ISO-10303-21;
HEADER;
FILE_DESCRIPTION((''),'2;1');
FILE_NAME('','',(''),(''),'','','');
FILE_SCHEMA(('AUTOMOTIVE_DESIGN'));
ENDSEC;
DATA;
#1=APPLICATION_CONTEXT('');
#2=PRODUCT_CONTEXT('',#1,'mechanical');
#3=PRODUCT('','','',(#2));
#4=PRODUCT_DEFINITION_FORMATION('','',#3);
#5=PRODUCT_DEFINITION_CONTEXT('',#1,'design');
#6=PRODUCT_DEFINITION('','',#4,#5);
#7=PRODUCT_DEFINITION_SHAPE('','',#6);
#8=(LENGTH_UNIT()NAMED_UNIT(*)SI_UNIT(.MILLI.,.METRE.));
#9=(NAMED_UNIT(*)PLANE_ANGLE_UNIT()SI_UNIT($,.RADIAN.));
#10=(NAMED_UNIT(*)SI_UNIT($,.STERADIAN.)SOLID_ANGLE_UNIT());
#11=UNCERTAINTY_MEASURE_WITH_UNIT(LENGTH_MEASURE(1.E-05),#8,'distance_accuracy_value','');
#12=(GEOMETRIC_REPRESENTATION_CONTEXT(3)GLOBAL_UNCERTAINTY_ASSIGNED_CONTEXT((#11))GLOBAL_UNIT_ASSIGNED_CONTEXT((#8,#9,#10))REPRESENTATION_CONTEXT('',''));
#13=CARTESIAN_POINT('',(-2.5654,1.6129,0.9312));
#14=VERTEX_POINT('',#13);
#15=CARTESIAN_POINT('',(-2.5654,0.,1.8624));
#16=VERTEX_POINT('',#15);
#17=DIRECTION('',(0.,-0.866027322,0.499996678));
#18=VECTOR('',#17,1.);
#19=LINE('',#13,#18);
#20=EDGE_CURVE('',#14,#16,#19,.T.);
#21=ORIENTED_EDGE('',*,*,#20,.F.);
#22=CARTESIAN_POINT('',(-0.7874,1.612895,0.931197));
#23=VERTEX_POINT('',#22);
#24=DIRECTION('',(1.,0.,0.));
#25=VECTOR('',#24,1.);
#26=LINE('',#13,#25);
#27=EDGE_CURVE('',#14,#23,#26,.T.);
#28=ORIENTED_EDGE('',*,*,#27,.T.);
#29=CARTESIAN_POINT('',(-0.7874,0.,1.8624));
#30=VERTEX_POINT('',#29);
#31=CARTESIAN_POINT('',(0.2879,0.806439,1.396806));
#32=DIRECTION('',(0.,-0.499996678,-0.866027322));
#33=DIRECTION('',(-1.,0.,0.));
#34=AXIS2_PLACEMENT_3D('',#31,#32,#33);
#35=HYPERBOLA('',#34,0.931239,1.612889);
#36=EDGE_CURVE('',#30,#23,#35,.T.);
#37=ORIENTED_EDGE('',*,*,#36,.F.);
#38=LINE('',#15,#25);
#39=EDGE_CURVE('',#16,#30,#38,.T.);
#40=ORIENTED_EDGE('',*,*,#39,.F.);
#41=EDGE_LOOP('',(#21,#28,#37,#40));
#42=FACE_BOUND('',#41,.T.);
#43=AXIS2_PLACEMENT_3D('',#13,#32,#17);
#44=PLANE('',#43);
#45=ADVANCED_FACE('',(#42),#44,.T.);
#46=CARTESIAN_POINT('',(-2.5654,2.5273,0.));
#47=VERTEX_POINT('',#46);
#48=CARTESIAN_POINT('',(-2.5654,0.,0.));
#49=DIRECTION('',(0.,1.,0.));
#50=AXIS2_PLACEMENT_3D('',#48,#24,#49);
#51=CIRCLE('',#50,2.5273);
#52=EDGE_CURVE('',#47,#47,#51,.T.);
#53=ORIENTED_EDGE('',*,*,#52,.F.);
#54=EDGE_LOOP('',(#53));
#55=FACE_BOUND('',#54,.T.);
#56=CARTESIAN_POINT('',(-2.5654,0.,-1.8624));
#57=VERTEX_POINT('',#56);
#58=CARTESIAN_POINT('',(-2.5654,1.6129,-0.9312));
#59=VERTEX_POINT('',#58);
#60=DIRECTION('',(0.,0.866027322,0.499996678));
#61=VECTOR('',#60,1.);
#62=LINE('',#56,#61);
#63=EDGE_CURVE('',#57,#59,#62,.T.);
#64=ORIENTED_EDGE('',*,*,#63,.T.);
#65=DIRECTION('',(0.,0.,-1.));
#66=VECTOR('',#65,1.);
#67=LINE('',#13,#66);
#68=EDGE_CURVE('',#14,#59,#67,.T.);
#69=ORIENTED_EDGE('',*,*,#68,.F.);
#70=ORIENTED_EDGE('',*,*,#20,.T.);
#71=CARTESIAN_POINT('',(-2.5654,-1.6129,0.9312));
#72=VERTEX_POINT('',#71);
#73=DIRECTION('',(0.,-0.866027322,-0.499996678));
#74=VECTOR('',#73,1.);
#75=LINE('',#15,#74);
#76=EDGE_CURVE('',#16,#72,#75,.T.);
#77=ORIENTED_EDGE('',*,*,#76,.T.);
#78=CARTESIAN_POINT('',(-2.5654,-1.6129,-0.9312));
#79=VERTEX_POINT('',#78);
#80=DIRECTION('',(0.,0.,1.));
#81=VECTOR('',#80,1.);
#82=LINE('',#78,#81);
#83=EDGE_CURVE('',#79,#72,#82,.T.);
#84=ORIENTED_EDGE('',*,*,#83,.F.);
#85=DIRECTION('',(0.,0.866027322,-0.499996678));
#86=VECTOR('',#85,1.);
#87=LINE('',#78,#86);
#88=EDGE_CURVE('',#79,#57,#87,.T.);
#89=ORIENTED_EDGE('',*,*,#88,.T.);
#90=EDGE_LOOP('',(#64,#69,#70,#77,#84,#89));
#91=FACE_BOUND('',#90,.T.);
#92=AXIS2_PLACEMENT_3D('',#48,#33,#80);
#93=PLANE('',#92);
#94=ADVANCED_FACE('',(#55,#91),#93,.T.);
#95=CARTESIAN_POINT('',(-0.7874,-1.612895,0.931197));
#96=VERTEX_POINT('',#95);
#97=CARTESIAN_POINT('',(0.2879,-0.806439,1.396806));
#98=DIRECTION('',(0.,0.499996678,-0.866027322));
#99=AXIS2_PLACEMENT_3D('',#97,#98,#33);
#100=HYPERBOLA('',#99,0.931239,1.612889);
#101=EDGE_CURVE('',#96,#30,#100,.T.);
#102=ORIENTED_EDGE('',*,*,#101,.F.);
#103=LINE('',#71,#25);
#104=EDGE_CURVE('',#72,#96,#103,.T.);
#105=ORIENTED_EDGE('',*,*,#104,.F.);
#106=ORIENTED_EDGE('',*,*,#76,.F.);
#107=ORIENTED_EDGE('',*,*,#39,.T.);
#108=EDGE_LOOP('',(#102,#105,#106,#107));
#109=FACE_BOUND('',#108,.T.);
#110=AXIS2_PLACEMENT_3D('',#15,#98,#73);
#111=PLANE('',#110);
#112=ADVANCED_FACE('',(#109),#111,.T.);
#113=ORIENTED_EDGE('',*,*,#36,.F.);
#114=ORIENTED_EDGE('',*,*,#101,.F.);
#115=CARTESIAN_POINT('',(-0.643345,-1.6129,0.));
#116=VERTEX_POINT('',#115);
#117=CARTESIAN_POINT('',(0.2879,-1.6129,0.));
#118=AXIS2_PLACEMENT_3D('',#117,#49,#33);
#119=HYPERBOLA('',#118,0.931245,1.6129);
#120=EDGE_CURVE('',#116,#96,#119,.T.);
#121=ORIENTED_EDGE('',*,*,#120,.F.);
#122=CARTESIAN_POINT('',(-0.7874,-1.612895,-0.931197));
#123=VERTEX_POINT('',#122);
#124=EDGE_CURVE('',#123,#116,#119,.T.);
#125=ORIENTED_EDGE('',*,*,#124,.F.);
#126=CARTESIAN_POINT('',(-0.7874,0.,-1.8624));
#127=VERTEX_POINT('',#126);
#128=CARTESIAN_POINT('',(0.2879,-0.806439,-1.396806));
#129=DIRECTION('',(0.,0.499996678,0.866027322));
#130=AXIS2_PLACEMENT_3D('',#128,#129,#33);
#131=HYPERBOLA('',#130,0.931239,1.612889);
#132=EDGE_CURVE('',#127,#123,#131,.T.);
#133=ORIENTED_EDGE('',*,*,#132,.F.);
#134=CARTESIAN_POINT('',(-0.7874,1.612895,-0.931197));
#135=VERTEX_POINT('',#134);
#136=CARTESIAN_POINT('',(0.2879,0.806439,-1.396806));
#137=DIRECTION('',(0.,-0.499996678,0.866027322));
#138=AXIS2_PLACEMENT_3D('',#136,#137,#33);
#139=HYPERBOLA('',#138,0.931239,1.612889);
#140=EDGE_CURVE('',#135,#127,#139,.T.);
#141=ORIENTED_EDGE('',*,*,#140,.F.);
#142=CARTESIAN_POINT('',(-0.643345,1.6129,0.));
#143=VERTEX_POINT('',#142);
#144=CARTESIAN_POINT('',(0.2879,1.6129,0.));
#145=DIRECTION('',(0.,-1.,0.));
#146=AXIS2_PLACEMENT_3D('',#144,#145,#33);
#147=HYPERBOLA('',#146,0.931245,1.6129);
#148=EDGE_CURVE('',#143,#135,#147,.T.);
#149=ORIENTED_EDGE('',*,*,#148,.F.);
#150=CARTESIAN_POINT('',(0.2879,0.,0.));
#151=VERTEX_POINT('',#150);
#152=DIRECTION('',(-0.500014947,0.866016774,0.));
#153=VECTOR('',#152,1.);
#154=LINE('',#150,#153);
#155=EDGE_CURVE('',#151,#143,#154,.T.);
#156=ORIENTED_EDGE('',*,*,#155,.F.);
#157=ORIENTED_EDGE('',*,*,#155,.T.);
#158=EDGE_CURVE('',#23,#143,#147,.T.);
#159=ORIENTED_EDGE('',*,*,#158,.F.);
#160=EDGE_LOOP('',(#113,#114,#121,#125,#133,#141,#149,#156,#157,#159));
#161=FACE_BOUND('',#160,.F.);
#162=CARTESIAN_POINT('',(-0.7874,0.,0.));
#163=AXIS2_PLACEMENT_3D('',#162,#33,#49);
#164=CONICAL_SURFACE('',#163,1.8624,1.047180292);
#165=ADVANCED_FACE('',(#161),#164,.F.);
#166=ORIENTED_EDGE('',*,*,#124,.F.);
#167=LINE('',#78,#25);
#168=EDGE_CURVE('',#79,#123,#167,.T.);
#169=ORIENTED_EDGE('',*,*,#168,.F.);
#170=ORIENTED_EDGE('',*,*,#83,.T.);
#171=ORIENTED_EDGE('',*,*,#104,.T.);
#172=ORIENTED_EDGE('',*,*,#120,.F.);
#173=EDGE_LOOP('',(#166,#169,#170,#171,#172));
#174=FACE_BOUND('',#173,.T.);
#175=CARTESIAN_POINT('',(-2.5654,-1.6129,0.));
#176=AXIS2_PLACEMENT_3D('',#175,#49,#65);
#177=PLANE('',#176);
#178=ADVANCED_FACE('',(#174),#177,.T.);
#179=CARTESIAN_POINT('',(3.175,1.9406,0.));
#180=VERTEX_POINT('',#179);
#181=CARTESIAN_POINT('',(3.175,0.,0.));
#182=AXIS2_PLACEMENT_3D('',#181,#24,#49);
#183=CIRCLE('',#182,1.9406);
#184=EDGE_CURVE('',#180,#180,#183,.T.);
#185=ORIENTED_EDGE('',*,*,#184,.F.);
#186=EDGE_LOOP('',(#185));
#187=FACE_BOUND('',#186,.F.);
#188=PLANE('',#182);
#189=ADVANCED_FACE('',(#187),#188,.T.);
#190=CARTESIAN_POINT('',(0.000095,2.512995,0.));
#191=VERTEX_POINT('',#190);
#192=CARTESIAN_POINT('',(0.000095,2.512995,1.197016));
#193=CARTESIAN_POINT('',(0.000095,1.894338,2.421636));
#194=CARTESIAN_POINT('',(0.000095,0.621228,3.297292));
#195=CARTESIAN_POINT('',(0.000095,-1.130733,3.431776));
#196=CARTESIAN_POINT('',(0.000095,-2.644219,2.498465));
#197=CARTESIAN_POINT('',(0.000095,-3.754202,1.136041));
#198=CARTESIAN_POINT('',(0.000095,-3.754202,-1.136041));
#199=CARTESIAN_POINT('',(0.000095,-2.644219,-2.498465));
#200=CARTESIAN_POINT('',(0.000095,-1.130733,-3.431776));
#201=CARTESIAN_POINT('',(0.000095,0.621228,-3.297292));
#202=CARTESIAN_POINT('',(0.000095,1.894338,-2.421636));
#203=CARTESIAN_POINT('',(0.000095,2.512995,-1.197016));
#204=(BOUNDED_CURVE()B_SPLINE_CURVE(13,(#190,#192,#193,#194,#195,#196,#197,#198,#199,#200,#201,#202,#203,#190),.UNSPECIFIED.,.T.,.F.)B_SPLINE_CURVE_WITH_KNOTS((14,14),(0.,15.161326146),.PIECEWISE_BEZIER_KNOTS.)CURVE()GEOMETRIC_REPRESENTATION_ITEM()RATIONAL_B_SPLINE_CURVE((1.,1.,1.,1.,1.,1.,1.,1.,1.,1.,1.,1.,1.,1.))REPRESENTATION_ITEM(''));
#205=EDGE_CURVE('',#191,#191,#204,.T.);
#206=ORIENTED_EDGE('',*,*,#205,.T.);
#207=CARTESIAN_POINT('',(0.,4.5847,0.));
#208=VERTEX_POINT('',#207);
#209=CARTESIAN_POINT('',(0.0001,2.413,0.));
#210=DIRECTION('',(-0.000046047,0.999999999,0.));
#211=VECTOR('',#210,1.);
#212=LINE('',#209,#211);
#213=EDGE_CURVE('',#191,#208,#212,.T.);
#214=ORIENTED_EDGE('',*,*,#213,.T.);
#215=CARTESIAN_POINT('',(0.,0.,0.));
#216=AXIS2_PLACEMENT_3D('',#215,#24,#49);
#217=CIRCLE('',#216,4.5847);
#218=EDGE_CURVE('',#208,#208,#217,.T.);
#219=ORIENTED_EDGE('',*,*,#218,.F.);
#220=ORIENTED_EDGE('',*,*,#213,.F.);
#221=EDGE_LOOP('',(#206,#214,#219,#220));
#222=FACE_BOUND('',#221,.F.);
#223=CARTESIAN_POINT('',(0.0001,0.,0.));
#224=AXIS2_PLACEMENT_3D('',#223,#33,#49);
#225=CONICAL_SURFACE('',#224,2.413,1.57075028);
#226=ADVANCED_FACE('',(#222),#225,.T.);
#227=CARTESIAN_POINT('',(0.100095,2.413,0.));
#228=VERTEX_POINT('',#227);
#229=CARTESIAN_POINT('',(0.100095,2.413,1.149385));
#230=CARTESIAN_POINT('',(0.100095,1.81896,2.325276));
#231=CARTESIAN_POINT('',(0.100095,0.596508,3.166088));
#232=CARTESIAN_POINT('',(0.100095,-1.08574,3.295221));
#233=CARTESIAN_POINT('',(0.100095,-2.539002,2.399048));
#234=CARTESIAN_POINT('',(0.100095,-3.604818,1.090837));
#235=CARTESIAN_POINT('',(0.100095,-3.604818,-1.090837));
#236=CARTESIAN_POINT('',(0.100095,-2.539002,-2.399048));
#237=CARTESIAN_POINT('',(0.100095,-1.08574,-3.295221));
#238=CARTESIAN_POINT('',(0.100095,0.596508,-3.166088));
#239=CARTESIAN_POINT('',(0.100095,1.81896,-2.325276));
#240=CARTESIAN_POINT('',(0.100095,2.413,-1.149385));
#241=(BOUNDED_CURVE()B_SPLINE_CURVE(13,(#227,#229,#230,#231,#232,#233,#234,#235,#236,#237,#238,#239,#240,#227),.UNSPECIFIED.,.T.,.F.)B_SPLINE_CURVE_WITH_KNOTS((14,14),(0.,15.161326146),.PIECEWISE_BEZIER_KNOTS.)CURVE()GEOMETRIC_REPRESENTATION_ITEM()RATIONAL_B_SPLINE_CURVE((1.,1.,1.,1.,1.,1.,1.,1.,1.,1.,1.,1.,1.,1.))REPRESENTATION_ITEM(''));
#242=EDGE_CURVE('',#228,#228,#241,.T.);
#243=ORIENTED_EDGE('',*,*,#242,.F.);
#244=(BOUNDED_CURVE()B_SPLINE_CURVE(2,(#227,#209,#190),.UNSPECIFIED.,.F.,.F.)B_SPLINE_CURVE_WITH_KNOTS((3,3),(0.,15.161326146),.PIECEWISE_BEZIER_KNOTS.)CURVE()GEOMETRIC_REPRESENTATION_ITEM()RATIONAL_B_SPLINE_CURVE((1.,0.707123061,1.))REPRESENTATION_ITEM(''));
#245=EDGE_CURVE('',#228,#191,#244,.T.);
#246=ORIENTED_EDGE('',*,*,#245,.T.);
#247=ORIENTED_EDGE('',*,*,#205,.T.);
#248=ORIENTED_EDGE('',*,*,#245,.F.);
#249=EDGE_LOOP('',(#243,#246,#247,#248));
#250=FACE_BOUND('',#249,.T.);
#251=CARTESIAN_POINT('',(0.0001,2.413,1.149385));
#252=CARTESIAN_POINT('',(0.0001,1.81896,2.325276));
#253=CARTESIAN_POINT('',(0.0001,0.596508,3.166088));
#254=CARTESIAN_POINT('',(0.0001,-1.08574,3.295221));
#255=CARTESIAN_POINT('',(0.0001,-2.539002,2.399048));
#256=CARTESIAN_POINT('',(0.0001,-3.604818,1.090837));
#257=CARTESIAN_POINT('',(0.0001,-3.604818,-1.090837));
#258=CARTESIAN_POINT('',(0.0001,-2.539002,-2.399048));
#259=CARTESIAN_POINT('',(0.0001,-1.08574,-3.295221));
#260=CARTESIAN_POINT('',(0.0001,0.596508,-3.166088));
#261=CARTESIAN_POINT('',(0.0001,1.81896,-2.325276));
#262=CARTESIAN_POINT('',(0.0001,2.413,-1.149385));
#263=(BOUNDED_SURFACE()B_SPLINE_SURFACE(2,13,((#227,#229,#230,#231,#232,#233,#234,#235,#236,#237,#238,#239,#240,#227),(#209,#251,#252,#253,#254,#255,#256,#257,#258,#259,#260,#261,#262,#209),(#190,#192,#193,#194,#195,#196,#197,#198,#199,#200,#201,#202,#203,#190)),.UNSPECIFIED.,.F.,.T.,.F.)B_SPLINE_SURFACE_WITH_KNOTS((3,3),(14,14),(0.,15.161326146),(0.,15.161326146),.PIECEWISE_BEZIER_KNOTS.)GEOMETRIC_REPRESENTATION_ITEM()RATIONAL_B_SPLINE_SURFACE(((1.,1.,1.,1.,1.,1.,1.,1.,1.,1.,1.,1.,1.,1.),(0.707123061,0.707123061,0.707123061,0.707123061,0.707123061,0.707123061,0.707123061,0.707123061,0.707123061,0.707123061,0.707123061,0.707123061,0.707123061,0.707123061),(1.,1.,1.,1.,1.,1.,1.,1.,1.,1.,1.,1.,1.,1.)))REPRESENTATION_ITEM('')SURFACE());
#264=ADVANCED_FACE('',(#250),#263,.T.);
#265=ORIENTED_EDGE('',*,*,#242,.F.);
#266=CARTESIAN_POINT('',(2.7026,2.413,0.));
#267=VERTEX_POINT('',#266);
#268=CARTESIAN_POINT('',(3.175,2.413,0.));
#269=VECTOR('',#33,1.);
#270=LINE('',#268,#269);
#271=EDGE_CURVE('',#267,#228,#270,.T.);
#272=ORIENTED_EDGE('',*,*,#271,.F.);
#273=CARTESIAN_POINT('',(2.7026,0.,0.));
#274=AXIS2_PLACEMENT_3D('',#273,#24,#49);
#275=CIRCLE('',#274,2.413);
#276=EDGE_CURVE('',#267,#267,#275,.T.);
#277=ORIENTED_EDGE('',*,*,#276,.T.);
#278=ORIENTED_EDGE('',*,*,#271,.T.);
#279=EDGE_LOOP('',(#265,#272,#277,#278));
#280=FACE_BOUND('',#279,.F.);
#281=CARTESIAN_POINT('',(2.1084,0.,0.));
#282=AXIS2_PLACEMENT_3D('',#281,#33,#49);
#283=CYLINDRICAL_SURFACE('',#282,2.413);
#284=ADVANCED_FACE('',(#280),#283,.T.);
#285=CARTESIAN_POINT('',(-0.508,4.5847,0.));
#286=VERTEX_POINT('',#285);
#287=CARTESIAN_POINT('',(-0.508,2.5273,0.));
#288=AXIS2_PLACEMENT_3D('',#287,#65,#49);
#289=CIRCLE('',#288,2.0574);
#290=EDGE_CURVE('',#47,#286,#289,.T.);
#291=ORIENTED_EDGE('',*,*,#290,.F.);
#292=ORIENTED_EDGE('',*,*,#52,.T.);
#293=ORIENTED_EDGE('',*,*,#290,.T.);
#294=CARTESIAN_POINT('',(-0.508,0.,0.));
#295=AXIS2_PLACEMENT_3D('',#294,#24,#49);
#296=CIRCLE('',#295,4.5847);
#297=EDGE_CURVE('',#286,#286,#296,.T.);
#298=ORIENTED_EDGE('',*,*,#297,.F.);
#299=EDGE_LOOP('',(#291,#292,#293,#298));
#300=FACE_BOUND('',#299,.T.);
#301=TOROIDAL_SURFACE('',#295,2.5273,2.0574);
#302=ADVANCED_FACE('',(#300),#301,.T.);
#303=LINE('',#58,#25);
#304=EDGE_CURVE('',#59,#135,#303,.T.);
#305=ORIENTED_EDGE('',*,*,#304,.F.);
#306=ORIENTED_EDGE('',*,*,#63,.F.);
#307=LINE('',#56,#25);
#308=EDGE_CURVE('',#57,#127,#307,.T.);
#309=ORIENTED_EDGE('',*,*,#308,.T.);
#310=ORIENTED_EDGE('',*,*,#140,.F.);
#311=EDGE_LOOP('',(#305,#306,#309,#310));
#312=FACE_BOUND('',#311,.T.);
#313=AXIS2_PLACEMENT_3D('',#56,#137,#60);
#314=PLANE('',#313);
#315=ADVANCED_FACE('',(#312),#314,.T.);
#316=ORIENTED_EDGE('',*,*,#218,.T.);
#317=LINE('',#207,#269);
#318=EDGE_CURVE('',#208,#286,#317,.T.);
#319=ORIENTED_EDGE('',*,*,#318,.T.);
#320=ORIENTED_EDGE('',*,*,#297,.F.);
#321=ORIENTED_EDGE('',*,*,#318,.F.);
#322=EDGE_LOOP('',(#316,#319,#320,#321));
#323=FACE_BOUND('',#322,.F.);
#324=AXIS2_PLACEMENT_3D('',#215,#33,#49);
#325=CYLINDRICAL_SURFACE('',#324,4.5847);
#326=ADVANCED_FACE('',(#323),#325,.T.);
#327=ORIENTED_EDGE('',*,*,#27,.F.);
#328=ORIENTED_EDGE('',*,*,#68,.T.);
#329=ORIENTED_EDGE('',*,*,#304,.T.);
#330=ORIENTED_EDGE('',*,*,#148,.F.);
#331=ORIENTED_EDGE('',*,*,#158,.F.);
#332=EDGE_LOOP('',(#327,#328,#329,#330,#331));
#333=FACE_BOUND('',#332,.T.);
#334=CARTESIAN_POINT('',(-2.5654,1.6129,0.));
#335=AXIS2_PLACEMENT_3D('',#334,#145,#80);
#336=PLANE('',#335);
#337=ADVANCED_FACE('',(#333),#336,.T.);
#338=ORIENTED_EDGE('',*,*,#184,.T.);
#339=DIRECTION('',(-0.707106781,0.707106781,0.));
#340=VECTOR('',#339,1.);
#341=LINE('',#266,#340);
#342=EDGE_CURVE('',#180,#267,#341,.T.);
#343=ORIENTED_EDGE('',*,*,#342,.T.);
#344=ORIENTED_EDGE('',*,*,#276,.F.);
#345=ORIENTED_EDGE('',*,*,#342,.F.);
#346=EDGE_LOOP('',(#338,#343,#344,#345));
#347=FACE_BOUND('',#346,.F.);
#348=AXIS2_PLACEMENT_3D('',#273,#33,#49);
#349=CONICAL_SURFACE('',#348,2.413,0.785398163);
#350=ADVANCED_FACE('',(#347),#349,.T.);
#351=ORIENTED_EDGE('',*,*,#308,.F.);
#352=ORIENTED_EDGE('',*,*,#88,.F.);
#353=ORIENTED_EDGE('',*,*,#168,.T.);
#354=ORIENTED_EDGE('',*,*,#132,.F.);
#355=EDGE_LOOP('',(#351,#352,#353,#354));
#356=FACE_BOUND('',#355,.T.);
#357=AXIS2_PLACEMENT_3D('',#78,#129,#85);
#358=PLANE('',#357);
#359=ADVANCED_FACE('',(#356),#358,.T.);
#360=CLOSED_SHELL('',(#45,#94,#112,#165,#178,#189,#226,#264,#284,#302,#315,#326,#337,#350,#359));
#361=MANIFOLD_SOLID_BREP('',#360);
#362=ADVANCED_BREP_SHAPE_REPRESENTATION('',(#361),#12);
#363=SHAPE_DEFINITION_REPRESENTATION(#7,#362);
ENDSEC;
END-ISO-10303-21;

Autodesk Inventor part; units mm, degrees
ref_plane "YZ Plane" through (0, 0, 0) normal (1, 0, 0) x (0, 1, 0)
ref_plane "XZ Plane" through (0, 0, 0) normal (0, 1, 0) x (-1, 0, 0)
sketch "Sketch1" plane through (0, 0, 0) normal (0, 0, 1) x (1, 0, 0)
  line L0 (0.2879, 0) -> (3.175, 0)
  line L1 (3.175, 0) -> (3.175, 2.413)
  line L2 (3.175, 2.413) -> (2.1084, 2.413)
  line L3 (2.1084, 2.413) -> (0.0001, 2.413)
  line L4 (0.0001, 2.413) -> (0, 2.413)
  line L5 (0, 2.413) -> (0, 4.5847)
  line L6 (0, 4.5847) -> (-2.5654, 4.5847)
  line L7 (-2.5654, 4.5847) -> (-2.5654, 1.8624)
  line L8 (-2.5654, 1.8624) -> (-0.7874, 1.8624)
  line L9 (-0.7874, 1.8624) -> (0.2879, 0)
  line L10 (-3.7135, 0) -> (4.3231, 0) projected
  line L11 (0, -0.9169) -> (0, 5.5016) projected
  line L12 (2.1084, 2.413) -> (0, 2.413) construction
  dimension "d1" = 1.0666
  dimension "d2" = 2.1083
  dimension "d3" = 2.5654
  dimension "d4" = 1.778
  dimension "d5" = 60
  dimension "d6" = 4.826
  dimension "d7" = 4.826
  dimension "d8" = 3.7248
  dimension "d9" = 9.1694
  dimension "d26" = 3.175
revolve "Body" add sketch "Sketch1" angle 360 about axis through (0.2879, 0, 0) along (1, 0, 0) contours L9 L11 L3 L2 L1 L0 | L9 L8 L7 L6 L5 L11
sketch "Sketch2" plane through (-2.5654, 0, 0) normal (-1, 0, 0) x (0, 0, 1)
  circle A0 centre (0, 0) radius 1.8624 projected
  line L0 (0, -6.4186) -> (0, 6.4186) projected
  line L1 (-6.4186, 0) -> (6.4186, 0) projected
  line L2 (1.8624, 0) -> (0.9312, -1.6129)
  line L3 (0.9312, -1.6129) -> (-0.9312, -1.6129)
  line L4 (-0.9312, -1.6129) -> (-1.8624, 0)
  line L5 (-1.8624, 0) -> (-0.9312, 1.6129)
  line L6 (-0.9312, 1.6129) -> (0.9312, 1.6129)
  line L7 (0.9312, 1.6129) -> (1.8624, 0)
extrude "Slot" add sketch "Sketch2" against normal up to next contours L7 A0 | A0 L2 | L6 L0 A0 | A0 L0 L3 | L0 L6 A0 | A0 L3 L0 | L4 A0 | A0 L5
fillet "Fillet1" radius 2.0574 1 edges at (-2.5654, -4.5847, 0)
thread "Thread" size "10-32 UNF" class "2A" standard "ANSI Unified Screw Threads" length 1.0666
chamfer "Chamfer1" distance 0.4724 distance2 0.4724 1 edges at (3.175, -2.413, 0) measured on face at (3.175, -0.9842, 0.5798)
ref_plane "Work Plane1" through (29, 0, 0) normal (0, -1, 0) x (1, 0, 0)
fillet "Fillet2" radius 0.1 1 edges at (0.0001, -2.413, 0)
equation "\"d30\" = R"
equation "\"d17\" = RR"
equation "\"d13\" = GEL"
equation "\"d15\" = -0.5 * SPD + 0.5 * GD"
equation "\"d16\" = GUL"
equation "\"d1\" = GEL"
equation "\"d3\" = KOH"
equation "\"d4\" = INTI"
equation "\"d6\" = GD"
equation "\"d7\" = BDM"
equation "\"d8\" = 1.1547 * SW"
equation "\"d9\" = KOD"
equation "\"d26\" = NLG"
equation "\"GD\" = NND"
equation "\"NLG\" = 3.175"
equation "\"GEL\" = 1.0666"
equation "\"KOD\" = 9.1694"
equation "\"KOH\" = 2.5654"
equation "\"INTI\" = 1.778"
equation "\"GAL\" = 2.1082"
equation "\"GUL\" = 0.47244"
equation "\"BDM\" = NND"
equation "\"SW\" = 3.2258"
equation "\"RR\" = 2.0574"
equation "\"SPD\" = 3.88112"
equation "\"R\" = 0.1"
equation "\"TOA\" = 30deg"
equation "\"GD1\" = SPD"
equation "\"THREADDIA\" = 4.826"
equation "\"KOH1\" = 0.508"
equation "\"NND\" = 4.826"
equation "\"E0\" = 3.72593"
properties part number "ANSI B18.3 - No. 10-32 - 1/8, HSBHCSI" material "Steel, Mild"
